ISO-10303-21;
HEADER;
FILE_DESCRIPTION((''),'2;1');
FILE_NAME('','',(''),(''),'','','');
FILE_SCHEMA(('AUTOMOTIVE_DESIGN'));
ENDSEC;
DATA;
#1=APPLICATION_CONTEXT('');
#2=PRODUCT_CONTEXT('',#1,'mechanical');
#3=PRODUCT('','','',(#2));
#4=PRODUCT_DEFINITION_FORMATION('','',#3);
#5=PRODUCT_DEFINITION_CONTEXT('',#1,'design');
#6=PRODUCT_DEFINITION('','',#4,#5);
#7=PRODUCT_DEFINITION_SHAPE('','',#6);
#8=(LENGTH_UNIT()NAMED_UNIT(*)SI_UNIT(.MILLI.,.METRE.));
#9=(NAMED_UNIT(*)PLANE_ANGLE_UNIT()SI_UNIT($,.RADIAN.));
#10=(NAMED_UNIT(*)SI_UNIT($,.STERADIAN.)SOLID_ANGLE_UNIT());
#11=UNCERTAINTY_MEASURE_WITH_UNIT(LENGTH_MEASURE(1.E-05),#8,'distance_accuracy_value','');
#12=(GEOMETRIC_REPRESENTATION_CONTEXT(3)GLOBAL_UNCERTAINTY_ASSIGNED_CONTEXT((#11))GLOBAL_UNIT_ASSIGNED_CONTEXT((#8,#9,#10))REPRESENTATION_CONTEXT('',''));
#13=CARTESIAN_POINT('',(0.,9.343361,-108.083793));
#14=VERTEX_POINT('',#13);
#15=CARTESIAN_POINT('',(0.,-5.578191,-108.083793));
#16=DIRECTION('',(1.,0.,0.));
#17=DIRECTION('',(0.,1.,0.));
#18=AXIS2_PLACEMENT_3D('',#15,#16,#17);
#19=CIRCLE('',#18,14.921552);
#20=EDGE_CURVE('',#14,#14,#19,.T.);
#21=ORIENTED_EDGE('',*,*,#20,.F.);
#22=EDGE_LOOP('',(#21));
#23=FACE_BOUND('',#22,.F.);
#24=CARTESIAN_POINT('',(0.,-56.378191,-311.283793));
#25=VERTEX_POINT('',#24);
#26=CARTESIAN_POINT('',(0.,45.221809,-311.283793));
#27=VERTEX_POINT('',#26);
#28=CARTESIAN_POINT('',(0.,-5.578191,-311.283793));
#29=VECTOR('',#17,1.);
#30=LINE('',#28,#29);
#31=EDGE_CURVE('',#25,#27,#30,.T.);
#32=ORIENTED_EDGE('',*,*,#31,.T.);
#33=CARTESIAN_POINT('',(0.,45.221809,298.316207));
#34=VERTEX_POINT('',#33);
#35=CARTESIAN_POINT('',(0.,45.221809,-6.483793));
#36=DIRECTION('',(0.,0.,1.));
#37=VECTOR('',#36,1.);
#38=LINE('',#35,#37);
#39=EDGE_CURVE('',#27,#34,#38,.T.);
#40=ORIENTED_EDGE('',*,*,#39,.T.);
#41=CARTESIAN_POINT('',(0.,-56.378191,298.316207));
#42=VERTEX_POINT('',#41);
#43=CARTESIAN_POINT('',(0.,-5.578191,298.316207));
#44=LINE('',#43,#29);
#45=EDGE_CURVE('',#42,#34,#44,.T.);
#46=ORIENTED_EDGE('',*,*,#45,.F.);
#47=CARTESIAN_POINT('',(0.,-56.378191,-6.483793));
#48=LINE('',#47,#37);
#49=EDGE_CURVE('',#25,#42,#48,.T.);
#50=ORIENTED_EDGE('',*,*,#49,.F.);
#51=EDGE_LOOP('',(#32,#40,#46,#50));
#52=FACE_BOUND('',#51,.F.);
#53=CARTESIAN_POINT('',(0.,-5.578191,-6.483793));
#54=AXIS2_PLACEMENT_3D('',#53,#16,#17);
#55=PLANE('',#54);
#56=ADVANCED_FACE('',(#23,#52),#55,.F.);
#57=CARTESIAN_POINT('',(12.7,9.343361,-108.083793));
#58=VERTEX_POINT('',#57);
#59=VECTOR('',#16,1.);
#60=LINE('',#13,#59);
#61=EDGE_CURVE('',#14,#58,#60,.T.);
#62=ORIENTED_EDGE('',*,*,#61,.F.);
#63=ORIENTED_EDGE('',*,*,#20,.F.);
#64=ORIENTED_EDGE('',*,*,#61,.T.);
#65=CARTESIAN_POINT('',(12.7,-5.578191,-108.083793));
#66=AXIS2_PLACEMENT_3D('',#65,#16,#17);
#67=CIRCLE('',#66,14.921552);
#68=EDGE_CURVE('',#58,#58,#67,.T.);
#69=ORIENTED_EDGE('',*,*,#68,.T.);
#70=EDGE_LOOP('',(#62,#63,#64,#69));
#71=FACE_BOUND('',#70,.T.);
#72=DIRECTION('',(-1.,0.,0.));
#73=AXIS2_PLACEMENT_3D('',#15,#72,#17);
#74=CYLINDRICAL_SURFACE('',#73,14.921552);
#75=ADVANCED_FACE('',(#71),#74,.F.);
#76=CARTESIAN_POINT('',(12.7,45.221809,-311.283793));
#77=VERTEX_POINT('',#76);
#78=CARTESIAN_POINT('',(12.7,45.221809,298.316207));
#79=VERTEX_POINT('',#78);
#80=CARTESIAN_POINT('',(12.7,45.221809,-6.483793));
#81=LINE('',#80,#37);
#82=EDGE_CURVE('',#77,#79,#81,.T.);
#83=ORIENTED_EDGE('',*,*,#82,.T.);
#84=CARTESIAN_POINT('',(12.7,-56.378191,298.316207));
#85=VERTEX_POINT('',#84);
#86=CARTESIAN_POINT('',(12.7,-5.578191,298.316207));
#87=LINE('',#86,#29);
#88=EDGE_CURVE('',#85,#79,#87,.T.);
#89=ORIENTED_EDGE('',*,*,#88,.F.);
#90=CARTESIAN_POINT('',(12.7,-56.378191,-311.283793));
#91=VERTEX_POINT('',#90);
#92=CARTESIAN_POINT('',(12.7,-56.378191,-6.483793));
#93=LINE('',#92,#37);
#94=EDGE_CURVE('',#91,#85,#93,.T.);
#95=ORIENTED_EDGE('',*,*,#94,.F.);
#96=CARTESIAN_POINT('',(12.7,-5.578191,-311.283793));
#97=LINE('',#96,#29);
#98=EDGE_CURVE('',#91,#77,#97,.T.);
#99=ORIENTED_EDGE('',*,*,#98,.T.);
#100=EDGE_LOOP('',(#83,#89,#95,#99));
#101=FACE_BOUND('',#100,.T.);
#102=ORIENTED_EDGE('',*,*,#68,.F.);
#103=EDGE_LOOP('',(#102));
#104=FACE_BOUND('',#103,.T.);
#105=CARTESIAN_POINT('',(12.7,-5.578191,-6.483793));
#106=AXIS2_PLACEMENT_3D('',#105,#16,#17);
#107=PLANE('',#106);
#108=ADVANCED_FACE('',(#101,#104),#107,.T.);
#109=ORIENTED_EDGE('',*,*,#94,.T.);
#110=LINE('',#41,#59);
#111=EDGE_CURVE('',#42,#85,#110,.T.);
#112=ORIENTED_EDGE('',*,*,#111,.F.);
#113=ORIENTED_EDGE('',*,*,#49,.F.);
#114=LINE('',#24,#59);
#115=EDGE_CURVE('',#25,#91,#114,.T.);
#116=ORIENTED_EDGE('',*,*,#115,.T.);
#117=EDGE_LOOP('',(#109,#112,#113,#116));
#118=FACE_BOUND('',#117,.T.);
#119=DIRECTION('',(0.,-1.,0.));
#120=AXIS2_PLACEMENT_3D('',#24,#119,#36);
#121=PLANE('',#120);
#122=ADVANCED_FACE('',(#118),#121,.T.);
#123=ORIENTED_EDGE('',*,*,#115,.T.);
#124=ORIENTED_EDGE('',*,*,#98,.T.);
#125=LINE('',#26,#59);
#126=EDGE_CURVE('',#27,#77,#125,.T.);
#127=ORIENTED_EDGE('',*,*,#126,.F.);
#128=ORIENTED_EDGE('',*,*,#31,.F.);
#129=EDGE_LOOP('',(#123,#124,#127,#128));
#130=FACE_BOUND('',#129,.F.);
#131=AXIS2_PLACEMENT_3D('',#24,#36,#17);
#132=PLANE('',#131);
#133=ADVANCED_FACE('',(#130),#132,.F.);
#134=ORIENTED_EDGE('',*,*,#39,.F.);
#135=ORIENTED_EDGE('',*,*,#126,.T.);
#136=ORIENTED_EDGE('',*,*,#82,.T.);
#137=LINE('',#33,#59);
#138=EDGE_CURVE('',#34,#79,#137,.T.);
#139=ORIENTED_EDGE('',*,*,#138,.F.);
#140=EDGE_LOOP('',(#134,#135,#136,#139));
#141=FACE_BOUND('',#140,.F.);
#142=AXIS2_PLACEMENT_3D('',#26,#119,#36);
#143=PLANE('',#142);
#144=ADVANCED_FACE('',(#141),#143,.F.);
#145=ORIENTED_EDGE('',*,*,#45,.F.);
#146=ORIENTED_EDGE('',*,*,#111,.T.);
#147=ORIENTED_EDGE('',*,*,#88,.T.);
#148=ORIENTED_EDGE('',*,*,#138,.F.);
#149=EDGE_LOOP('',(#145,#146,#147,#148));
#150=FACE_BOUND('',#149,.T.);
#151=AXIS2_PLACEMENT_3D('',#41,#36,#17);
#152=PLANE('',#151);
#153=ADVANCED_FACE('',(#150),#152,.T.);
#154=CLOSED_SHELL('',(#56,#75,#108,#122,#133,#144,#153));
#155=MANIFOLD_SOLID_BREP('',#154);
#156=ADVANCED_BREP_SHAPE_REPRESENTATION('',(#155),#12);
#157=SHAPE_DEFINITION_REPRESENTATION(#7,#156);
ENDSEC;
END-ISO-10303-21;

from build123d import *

# Parameters (mm, degrees)
F0_W     = 101.6
F0_H     = 609.6
F0_R     = 14.921552
F1_DEPTH = 12.7
F2_DEPTH = 12.7


with BuildPart() as f1:
    # F0 (on Right) → F1 (new body)
    with BuildSketch(Plane.YZ):
        with Locations((-5.578191, -6.483793)):
            Rectangle(F0_W, F0_H)
        with Locations((-5.578191, -108.083793)):
            Circle(F0_R, mode=Mode.SUBTRACT)
    extrude(amount=F1_DEPTH)

    # F0 (on Right) → F2 (join)
    with BuildSketch(Plane.YZ):
        with Locations((-5.578191, -6.483793)):
            Rectangle(F0_W, F0_H)
        with Locations((-5.578191, -108.083793)):
            Circle(F0_R, mode=Mode.SUBTRACT)
    extrude(amount=F2_DEPTH)


solid = f1.part
